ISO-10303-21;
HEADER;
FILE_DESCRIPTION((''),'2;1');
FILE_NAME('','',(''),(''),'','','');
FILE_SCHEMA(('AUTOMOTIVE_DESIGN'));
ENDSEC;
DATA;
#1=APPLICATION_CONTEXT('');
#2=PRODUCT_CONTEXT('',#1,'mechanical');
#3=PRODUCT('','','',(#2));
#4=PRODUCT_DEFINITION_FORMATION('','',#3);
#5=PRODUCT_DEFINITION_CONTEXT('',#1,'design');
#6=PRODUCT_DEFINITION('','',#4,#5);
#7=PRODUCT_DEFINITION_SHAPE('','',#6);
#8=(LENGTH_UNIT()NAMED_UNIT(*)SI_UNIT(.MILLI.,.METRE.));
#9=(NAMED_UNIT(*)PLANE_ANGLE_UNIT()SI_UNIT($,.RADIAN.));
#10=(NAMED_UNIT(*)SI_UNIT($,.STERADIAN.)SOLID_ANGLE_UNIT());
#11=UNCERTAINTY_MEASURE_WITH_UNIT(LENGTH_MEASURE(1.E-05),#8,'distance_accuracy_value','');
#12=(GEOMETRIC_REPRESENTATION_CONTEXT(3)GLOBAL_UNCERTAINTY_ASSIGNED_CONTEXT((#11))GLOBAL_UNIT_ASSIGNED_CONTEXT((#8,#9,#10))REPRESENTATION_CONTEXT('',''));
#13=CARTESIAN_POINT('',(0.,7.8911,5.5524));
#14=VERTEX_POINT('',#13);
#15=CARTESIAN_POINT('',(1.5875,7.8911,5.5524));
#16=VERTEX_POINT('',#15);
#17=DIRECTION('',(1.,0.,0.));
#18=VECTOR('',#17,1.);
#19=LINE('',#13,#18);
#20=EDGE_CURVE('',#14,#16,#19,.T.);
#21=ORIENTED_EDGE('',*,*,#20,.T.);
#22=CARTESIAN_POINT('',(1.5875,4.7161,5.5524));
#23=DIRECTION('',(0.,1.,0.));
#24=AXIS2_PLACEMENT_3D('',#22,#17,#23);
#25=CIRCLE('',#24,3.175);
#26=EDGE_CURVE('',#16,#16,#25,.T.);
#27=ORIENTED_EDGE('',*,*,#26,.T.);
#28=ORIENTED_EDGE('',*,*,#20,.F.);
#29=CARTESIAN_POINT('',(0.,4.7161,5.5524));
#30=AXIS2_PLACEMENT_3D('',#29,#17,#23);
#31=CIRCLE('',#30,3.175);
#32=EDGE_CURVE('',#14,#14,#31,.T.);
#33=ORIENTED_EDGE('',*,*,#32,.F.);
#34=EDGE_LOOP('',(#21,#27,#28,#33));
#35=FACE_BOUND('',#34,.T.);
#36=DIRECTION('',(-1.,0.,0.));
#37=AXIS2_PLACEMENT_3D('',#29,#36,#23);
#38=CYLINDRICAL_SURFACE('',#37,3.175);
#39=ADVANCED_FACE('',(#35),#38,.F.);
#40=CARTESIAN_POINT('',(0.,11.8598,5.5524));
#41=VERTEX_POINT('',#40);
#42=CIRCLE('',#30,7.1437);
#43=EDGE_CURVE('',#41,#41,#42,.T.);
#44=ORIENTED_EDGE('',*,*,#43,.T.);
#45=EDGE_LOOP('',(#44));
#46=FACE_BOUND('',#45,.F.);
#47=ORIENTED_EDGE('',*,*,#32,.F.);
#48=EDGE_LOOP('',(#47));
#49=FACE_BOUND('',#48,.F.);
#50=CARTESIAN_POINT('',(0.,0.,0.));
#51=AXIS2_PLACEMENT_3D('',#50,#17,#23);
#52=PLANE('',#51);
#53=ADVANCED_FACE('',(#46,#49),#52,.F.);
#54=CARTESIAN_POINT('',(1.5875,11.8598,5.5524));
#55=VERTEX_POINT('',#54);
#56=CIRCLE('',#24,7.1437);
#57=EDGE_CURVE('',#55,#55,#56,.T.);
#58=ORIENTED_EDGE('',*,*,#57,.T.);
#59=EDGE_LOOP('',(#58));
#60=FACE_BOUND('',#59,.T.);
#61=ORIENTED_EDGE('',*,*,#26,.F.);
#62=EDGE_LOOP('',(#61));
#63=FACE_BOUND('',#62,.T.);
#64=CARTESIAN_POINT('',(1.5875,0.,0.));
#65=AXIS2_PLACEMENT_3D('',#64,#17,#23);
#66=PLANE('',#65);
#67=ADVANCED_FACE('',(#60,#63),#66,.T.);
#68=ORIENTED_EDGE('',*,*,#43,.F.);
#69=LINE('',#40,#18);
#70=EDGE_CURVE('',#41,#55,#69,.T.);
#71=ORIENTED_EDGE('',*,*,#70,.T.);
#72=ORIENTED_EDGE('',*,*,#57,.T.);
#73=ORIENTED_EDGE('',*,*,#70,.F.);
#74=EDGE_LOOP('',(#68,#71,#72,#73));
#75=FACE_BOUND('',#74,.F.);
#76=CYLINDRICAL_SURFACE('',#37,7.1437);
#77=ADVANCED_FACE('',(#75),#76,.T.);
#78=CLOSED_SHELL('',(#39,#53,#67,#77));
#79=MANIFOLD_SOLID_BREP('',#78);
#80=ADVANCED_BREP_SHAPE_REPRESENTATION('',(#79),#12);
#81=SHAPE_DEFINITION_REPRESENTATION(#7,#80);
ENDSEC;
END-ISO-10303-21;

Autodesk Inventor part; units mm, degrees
ref_plane "YZ Plane" through (0, 0, 0) normal (1, 0, 0) x (0, 1, 0)
ref_plane "XZ Plane" through (0, 0, 0) normal (0, 1, 0) x (-1, 0, 0)
ref_plane "XY Plane" through (0, 0, 0) normal (0, 0, 1) x (1, 0, 0)
sketch "Sketch1" plane through (0, 0, 0) normal (1, 0, 0) x (0, 1, 0)
  circle A0 centre (4.7161, 5.5524) radius 7.1437
  circle A1 centre (4.7161, 5.5524) radius 3.175
  point P0 (0, 0)
  dimension "d0" = 14.2875
  dimension "d1" = 6.35
extrude "Extrusion1" add sketch "Sketch1" along normal blind 1.5875
properties part number "USS flat washer #10 2993"
